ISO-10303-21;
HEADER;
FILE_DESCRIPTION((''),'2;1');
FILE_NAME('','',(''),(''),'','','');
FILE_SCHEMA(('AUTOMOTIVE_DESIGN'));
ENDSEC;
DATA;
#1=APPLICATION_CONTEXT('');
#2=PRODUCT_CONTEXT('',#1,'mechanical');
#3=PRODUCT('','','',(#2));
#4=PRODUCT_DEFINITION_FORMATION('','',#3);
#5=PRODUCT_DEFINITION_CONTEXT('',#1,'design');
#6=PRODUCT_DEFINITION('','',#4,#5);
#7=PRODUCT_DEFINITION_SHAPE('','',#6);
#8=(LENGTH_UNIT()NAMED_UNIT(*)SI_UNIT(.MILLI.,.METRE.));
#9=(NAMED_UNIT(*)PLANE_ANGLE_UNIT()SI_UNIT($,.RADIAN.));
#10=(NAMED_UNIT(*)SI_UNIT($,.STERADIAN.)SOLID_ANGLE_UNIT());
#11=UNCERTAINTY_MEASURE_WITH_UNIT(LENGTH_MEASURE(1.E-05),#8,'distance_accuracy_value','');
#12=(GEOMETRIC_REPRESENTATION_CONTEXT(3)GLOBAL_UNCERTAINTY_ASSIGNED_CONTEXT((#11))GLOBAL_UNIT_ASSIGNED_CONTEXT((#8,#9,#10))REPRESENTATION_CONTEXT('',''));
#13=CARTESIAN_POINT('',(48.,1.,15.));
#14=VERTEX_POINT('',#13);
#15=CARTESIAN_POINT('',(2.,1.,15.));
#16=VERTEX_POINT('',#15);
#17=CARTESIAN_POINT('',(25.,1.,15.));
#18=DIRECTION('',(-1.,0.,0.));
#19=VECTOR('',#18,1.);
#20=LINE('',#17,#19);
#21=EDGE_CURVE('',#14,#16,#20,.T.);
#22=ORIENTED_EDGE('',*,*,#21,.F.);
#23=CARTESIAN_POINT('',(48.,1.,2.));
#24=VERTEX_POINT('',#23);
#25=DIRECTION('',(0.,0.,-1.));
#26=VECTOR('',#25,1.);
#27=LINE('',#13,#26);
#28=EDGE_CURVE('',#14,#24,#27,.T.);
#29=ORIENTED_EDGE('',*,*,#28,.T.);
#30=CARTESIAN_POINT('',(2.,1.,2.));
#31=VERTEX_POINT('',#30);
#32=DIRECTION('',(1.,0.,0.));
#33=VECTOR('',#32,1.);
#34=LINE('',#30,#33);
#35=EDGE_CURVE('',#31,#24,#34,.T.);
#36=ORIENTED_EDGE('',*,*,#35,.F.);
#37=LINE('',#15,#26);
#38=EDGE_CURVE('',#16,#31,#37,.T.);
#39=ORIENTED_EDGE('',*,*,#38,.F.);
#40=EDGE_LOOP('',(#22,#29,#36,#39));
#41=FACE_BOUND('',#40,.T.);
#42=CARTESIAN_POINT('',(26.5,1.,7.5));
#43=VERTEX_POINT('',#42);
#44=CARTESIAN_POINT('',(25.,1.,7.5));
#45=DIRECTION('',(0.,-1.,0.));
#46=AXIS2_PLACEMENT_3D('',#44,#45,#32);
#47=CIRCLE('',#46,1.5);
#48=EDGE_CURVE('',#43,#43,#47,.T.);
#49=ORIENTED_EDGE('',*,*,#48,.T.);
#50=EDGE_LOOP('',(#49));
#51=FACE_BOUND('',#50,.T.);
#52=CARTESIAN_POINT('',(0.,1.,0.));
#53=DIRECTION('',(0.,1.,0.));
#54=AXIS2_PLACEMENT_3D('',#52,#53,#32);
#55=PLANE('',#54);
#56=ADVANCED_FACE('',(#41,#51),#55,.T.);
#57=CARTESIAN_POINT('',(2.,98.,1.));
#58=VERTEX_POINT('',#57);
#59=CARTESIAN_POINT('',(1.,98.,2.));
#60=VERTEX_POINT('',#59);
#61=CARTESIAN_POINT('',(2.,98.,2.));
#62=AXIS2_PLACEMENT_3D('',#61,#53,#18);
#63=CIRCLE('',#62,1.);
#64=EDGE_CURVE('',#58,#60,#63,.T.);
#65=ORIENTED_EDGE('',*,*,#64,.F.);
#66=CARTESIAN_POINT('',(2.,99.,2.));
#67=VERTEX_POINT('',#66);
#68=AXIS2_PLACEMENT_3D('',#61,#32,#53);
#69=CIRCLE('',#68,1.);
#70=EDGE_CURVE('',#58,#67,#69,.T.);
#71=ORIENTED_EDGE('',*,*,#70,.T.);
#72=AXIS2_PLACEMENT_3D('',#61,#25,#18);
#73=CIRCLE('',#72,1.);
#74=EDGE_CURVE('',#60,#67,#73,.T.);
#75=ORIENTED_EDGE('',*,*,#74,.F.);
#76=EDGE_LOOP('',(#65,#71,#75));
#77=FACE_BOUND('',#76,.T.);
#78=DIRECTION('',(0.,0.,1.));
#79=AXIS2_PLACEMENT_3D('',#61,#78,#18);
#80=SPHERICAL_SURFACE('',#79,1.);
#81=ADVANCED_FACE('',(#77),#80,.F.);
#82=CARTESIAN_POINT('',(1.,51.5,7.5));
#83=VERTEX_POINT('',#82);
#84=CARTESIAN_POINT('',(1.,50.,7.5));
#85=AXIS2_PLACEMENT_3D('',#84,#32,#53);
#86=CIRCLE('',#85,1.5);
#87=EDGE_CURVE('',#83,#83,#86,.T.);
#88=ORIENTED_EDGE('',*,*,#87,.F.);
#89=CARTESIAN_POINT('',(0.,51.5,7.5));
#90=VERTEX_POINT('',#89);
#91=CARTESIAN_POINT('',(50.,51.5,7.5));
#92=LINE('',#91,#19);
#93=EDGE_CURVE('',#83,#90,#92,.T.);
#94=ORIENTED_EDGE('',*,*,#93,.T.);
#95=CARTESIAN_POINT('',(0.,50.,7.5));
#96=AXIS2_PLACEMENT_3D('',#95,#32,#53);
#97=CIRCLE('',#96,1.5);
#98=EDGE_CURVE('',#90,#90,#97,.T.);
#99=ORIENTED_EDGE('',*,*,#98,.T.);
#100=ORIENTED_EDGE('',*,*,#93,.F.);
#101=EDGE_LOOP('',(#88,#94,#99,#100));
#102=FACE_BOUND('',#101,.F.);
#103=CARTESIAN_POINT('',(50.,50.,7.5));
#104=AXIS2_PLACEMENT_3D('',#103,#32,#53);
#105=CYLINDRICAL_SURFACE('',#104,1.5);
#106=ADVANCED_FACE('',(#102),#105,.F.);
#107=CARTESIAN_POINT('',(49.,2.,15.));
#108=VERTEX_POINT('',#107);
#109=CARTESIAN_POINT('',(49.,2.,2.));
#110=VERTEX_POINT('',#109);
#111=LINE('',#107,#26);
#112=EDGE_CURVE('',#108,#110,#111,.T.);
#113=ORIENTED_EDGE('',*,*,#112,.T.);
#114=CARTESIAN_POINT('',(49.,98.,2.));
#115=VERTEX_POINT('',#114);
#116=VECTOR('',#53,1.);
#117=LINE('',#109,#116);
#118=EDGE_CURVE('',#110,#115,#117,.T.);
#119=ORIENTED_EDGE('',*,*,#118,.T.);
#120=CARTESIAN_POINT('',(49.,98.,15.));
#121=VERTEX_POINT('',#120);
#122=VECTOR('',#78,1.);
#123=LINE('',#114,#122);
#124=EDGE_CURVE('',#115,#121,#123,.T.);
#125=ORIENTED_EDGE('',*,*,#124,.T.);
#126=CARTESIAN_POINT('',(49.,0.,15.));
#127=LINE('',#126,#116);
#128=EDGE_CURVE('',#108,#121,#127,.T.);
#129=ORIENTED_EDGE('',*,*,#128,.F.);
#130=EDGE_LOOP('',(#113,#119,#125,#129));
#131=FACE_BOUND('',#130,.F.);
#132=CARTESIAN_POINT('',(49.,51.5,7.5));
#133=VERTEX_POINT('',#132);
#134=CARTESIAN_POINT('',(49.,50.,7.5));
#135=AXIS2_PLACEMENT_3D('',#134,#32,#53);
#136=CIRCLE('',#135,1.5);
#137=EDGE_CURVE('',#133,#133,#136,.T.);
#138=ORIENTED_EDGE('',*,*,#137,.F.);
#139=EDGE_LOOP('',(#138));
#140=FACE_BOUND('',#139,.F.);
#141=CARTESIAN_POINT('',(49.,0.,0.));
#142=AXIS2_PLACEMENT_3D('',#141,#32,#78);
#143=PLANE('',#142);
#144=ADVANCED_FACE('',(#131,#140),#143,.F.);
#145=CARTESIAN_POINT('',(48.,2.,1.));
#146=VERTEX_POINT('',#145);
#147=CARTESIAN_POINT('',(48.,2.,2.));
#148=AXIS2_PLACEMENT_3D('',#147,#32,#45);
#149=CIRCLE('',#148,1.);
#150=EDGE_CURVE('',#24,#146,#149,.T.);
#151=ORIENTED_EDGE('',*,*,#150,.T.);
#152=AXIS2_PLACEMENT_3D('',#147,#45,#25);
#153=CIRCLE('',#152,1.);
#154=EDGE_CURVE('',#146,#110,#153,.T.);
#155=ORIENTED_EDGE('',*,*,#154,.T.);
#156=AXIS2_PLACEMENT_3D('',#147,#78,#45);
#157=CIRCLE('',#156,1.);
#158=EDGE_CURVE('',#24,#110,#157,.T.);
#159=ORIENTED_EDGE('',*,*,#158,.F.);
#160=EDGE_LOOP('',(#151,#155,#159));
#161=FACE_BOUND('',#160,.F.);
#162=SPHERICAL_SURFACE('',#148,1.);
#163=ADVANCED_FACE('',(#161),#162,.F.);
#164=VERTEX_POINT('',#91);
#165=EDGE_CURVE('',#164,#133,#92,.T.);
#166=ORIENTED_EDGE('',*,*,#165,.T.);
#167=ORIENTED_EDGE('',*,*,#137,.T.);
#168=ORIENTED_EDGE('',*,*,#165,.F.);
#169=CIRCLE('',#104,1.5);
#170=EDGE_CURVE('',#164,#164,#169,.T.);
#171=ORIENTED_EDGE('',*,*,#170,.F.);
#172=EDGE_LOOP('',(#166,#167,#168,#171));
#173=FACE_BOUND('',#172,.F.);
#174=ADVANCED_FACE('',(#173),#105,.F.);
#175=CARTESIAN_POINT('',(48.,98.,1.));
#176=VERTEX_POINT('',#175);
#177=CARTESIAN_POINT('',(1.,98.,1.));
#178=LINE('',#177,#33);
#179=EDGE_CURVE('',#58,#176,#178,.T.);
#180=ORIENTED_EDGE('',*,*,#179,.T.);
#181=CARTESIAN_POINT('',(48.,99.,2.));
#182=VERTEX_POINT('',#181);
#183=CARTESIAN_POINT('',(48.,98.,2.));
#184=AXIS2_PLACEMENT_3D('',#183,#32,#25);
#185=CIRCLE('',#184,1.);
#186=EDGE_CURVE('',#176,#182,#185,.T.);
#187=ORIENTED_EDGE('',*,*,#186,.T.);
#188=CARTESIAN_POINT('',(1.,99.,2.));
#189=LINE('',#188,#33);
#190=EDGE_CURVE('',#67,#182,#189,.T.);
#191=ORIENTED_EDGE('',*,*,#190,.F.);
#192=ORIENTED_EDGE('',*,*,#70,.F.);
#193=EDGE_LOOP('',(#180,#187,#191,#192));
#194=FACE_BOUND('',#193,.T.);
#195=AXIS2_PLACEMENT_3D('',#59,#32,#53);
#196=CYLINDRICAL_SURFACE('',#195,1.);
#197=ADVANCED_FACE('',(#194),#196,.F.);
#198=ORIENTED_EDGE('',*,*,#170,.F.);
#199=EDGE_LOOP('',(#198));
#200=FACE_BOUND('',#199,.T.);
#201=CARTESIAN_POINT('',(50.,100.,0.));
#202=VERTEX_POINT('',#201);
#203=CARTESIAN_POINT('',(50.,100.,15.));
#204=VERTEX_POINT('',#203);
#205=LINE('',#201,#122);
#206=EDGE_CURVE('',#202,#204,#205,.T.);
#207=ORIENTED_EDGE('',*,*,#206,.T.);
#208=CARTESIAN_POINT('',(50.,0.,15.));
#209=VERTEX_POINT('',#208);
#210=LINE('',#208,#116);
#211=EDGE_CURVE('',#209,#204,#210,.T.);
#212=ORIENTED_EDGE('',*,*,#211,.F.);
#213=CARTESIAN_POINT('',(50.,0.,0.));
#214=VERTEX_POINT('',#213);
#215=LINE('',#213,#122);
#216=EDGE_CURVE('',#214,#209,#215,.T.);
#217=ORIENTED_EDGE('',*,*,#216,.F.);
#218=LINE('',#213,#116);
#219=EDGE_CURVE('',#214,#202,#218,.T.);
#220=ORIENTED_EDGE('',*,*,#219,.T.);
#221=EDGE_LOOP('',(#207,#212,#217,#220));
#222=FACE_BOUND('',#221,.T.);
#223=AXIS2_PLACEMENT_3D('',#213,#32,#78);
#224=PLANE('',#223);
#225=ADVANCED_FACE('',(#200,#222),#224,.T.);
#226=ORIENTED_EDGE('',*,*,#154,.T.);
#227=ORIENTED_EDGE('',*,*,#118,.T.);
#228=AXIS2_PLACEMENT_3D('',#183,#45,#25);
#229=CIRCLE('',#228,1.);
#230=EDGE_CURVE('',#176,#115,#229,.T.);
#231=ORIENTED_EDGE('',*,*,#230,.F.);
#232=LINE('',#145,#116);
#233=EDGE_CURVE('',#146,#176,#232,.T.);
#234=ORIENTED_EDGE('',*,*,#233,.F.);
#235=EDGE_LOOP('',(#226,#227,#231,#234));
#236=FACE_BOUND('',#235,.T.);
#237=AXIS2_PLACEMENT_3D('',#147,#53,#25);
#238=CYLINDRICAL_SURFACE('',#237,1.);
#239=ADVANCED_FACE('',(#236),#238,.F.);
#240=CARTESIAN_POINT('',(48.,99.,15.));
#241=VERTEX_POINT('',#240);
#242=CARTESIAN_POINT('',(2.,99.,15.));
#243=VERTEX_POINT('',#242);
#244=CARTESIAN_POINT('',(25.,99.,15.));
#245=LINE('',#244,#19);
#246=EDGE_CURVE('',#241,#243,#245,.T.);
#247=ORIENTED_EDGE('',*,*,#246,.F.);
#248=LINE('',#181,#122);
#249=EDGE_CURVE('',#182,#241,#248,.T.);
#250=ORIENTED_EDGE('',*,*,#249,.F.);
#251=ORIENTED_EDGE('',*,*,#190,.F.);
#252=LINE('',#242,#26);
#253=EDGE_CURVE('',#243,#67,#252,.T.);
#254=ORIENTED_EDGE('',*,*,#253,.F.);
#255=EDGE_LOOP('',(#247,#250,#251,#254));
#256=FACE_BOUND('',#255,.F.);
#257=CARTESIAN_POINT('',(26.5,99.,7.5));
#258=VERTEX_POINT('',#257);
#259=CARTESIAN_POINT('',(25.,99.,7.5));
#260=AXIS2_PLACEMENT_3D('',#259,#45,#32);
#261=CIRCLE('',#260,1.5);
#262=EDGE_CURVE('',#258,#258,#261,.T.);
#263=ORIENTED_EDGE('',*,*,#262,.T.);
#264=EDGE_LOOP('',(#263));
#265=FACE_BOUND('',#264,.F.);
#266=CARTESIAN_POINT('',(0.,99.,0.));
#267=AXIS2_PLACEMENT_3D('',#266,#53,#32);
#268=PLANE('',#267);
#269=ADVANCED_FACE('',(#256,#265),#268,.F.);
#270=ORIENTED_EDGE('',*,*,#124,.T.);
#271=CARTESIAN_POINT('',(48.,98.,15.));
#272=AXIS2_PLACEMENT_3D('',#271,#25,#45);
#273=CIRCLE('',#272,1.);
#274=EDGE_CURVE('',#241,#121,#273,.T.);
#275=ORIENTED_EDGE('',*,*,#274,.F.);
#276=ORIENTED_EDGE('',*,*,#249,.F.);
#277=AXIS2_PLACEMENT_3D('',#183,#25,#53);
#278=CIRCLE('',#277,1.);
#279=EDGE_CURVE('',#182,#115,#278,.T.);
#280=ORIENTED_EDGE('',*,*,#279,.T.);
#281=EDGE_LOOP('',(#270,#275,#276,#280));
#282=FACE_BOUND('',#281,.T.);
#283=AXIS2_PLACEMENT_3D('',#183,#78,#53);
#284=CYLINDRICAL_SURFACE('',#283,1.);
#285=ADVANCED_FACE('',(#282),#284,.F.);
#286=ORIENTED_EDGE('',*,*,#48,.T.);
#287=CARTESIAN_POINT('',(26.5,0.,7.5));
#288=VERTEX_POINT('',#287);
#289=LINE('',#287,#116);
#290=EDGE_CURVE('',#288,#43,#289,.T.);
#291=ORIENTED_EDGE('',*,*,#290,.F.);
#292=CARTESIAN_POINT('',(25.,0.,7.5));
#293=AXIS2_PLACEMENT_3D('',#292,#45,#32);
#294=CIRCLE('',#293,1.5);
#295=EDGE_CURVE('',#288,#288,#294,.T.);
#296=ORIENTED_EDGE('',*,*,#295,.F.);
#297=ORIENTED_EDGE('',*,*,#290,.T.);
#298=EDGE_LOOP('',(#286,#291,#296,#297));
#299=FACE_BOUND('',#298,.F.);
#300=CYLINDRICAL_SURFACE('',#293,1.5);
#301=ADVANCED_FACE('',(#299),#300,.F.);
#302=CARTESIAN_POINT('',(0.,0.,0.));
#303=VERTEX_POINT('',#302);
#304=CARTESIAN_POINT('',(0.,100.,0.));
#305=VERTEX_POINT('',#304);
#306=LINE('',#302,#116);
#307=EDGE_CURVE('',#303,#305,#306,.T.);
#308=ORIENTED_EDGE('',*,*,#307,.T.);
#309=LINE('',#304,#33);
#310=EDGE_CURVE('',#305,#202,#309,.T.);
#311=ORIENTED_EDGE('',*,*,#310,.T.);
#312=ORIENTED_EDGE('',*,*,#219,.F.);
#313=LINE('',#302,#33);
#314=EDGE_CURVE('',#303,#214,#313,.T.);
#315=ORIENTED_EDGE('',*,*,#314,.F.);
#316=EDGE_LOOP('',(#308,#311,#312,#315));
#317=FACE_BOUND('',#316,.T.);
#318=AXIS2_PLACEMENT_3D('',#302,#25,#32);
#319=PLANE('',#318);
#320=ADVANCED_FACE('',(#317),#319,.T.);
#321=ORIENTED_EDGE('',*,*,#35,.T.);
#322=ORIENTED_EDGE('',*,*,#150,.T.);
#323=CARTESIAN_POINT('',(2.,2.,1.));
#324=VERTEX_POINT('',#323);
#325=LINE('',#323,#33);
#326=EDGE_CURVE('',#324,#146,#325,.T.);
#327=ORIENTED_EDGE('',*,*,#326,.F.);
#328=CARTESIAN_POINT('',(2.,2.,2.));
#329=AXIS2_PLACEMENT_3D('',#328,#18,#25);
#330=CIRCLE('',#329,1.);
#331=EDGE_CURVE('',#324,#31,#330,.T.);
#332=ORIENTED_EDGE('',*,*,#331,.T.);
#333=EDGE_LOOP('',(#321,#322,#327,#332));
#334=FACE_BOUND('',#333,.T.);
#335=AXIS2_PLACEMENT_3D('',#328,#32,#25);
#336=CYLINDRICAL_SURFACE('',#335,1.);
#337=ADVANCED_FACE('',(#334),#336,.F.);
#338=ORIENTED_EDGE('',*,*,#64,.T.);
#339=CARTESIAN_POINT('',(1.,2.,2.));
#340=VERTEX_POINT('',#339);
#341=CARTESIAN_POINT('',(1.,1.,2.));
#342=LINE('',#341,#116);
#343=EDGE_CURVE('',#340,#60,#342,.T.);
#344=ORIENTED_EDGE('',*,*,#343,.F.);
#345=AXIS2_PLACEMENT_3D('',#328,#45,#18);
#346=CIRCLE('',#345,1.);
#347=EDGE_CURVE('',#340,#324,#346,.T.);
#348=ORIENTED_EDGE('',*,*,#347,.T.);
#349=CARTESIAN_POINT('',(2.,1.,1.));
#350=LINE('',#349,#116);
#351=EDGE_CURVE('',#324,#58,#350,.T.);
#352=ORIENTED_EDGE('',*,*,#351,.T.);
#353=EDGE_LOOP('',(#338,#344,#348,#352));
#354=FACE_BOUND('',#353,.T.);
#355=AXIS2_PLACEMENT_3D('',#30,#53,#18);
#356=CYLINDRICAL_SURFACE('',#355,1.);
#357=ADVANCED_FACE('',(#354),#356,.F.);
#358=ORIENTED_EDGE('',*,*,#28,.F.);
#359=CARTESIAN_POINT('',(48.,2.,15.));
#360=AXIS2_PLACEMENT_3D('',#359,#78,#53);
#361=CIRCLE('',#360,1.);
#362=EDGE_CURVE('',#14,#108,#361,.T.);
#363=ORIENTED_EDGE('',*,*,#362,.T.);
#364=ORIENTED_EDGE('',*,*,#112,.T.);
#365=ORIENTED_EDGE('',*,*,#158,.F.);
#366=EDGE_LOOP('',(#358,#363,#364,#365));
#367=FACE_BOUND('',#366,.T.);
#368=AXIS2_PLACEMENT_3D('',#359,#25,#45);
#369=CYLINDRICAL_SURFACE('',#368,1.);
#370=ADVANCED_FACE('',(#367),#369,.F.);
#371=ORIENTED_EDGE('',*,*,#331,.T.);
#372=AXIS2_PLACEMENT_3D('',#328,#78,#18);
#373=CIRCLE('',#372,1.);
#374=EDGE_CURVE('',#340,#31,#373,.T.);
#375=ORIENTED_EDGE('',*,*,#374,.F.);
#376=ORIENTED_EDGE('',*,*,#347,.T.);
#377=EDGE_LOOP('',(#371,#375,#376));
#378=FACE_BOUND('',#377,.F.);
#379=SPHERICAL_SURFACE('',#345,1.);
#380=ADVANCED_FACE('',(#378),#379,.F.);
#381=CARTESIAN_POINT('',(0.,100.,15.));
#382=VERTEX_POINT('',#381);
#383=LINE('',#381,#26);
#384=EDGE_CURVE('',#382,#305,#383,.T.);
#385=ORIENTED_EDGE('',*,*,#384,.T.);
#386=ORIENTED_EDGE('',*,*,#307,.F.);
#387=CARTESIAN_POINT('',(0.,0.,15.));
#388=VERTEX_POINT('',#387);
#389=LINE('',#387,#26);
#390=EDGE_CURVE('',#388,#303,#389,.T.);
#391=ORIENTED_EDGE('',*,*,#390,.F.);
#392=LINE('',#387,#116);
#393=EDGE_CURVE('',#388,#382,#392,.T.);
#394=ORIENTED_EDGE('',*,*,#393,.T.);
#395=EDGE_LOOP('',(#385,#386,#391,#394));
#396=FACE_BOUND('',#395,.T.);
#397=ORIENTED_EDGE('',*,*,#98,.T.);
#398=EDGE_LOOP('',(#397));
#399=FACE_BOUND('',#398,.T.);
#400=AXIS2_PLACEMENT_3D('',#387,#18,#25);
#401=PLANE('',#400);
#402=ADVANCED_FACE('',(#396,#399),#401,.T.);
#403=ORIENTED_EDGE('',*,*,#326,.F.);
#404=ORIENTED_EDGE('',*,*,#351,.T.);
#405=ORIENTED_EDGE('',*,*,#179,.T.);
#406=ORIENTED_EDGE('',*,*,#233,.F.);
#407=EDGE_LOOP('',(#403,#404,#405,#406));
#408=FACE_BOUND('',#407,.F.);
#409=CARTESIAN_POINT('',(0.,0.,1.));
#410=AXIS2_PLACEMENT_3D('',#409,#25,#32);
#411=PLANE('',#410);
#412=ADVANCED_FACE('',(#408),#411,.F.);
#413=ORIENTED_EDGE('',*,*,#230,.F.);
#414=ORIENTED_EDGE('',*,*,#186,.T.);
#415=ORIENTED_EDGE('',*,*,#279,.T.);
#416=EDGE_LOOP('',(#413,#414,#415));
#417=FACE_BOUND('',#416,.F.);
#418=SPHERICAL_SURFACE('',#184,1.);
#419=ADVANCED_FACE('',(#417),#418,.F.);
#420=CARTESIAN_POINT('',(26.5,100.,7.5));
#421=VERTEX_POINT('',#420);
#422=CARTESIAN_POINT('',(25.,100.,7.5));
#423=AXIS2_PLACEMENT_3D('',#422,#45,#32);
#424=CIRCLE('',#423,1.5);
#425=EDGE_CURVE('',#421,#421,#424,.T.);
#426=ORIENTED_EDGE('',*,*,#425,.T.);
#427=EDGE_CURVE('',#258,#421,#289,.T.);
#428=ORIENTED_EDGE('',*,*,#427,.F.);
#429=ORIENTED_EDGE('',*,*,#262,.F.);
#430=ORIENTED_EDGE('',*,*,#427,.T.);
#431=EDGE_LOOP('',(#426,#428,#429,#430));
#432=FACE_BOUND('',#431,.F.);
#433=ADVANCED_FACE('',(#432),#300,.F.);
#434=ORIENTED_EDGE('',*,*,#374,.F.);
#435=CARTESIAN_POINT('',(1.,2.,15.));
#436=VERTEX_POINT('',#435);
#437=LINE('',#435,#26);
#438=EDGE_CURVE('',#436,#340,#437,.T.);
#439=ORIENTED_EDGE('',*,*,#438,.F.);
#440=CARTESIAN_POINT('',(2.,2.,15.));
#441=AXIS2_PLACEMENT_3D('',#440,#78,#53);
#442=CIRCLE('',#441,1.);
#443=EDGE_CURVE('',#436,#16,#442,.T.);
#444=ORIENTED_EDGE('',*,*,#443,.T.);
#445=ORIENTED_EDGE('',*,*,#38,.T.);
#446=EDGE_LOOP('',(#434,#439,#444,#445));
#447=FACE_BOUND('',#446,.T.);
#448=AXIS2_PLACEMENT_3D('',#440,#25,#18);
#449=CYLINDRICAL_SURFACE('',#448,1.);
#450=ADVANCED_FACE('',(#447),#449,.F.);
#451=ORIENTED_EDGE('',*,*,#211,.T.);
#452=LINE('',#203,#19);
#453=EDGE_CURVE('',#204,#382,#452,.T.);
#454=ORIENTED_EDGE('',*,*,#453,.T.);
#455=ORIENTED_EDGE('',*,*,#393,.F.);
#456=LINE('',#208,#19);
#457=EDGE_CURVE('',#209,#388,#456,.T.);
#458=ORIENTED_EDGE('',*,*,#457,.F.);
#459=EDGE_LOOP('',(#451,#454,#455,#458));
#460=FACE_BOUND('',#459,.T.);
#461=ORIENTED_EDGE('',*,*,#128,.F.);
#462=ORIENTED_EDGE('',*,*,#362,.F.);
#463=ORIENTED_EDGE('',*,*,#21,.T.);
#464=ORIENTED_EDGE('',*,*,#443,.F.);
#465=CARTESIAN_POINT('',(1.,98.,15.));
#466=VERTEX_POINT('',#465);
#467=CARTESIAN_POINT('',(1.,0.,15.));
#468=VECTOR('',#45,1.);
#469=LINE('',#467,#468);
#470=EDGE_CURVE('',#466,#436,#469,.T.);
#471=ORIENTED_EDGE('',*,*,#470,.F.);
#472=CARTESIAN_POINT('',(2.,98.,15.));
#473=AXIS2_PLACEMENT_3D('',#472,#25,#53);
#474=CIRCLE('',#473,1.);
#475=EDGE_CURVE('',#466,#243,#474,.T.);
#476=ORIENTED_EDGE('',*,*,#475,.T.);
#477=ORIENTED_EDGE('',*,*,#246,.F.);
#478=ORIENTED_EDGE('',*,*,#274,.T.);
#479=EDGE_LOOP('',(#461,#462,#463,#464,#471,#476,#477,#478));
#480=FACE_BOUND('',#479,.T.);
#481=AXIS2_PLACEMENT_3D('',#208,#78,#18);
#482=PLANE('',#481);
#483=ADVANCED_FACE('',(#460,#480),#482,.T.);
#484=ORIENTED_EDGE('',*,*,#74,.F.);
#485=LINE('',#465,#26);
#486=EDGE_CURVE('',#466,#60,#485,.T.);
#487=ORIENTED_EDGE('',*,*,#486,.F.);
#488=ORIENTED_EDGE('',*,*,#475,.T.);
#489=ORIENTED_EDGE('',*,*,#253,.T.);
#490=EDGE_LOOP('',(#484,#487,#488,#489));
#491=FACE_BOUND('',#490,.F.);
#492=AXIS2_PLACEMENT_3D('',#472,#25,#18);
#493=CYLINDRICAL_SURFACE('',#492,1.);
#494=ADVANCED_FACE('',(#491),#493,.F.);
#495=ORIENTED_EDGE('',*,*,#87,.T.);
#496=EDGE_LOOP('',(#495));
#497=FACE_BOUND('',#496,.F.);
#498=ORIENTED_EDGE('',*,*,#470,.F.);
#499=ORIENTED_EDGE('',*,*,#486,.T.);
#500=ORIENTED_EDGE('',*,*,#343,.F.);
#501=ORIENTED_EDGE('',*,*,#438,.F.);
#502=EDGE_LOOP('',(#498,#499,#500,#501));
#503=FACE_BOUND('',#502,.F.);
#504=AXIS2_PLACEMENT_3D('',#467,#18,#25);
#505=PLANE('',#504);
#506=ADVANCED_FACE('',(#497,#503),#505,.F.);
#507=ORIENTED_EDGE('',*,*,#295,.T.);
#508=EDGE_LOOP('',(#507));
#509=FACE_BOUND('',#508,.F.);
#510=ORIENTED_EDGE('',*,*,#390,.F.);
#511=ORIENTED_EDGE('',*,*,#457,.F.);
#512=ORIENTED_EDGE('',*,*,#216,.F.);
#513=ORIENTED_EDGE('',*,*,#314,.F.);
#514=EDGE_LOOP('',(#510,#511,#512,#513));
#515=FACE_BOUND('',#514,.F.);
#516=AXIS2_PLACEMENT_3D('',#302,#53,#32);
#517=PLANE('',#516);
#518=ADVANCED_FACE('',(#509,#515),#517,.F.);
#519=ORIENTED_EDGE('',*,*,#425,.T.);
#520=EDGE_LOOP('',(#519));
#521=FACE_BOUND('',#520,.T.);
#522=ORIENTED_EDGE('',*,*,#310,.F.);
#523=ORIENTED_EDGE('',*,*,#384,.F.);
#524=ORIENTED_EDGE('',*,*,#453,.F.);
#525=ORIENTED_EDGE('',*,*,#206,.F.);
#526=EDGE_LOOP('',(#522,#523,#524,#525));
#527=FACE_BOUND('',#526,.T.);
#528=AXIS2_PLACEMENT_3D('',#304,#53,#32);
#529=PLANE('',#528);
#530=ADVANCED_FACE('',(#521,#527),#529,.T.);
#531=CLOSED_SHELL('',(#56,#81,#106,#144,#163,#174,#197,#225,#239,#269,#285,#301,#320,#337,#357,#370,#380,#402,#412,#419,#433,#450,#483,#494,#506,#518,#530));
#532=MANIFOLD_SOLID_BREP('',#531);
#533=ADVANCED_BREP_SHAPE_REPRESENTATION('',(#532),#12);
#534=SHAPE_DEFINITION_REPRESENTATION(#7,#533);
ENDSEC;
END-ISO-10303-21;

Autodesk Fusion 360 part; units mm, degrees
sketch "Sketch2" plane through (0, 0, 0) normal (0, 1, 0) x (1, 0, 0)
  line L0 (0, 0) -> (50, 0)
  line L1 (50, 0) -> (50, -15)
  line L2 (50, -15) -> (0, -15)
  line L3 (0, -15) -> (0, 0)
  dimension "d15" = 50
  dimension "d16" = 15
extrude "Extrude1" add sketch "Sketch2" along normal blind 100
shell "Shell2" thickness 1 removed faces 1 at (33.3333, 33.3333, 15)
sketch "Sketch3" plane through (0, 0, 0) normal (0, -1, 0) x (1, 0, 0)
  line L0 (50, 15) -> (0, 15)
  line L1 (0, 15) -> (0, 0)
  line L2 (0, 0) -> (50, 0)
  line L3 (50, 0) -> (50, 15)
  circle A0 centre (25, 7.5) radius 1.5
  dimension "d20" = 3
  dimension "d21" = 25
  dimension "d22" = 7.5
extrude "Extrude2" cut sketch "Sketch3" against normal blind 100 contours A0
sketch "Sketch4" plane through (50, 0, 0) normal (1, 0, 0) x (0, 1, 0)
  line L0 (0, 15) -> (0, 0)
  line L1 (0, 0) -> (100, 0)
  line L2 (100, 0) -> (100, 15)
  line L3 (100, 15) -> (0, 15)
  circle A0 centre (50, 7.5) radius 1.5
  dimension "d25" = 3
  dimension "d26" = 50
  dimension "d27" = 7.5
extrude "Extrude3" cut sketch "Sketch4" against normal blind 50 contours A0
fillet "Fillet1" radius 1 3 edges at (1, 99, 8) (1, 50, 1) (25, 99, 1)
fillet "Fillet2" radius 1 3 edges at (1, 1, 8.5) (1.2929, 1, 1.2929) (25.5, 1, 1)
fillet "Fillet3" radius 1 5 edges at (49, 99, 8.5) (49, 98.7071, 1.2929) (49, 50, 1) (49, 1.2929, 1.2929) (49, 1, 8.5)
equation "Length = 100 mm"
equation "Width = 50 mm"
equation "Height = 15 mm"
equation "Wall = 1 mm"
equation "LPos = Length / 2"
equation "WPos = Width / 2"
equation "HPos = Height / 2"
equation "Screw = 3 mm"
equation "d15 = Width"
equation "d16 = Height"
equation "d17 = Length"
equation "d19 = Wall"
equation "d20 = Screw"
equation "d21 = WPos"
equation "d22 = HPos"
equation "d23 = -Length"
equation "d25 = Screw"
equation "d26 = LPos"
equation "d27 = HPos"
equation "d28 = -Width"
equation "Internal_fillet = 1 mm"
equation "d32 = Internal_fillet"
equation "d34 = Internal_fillet"
equation "d36 = Internal_fillet"
